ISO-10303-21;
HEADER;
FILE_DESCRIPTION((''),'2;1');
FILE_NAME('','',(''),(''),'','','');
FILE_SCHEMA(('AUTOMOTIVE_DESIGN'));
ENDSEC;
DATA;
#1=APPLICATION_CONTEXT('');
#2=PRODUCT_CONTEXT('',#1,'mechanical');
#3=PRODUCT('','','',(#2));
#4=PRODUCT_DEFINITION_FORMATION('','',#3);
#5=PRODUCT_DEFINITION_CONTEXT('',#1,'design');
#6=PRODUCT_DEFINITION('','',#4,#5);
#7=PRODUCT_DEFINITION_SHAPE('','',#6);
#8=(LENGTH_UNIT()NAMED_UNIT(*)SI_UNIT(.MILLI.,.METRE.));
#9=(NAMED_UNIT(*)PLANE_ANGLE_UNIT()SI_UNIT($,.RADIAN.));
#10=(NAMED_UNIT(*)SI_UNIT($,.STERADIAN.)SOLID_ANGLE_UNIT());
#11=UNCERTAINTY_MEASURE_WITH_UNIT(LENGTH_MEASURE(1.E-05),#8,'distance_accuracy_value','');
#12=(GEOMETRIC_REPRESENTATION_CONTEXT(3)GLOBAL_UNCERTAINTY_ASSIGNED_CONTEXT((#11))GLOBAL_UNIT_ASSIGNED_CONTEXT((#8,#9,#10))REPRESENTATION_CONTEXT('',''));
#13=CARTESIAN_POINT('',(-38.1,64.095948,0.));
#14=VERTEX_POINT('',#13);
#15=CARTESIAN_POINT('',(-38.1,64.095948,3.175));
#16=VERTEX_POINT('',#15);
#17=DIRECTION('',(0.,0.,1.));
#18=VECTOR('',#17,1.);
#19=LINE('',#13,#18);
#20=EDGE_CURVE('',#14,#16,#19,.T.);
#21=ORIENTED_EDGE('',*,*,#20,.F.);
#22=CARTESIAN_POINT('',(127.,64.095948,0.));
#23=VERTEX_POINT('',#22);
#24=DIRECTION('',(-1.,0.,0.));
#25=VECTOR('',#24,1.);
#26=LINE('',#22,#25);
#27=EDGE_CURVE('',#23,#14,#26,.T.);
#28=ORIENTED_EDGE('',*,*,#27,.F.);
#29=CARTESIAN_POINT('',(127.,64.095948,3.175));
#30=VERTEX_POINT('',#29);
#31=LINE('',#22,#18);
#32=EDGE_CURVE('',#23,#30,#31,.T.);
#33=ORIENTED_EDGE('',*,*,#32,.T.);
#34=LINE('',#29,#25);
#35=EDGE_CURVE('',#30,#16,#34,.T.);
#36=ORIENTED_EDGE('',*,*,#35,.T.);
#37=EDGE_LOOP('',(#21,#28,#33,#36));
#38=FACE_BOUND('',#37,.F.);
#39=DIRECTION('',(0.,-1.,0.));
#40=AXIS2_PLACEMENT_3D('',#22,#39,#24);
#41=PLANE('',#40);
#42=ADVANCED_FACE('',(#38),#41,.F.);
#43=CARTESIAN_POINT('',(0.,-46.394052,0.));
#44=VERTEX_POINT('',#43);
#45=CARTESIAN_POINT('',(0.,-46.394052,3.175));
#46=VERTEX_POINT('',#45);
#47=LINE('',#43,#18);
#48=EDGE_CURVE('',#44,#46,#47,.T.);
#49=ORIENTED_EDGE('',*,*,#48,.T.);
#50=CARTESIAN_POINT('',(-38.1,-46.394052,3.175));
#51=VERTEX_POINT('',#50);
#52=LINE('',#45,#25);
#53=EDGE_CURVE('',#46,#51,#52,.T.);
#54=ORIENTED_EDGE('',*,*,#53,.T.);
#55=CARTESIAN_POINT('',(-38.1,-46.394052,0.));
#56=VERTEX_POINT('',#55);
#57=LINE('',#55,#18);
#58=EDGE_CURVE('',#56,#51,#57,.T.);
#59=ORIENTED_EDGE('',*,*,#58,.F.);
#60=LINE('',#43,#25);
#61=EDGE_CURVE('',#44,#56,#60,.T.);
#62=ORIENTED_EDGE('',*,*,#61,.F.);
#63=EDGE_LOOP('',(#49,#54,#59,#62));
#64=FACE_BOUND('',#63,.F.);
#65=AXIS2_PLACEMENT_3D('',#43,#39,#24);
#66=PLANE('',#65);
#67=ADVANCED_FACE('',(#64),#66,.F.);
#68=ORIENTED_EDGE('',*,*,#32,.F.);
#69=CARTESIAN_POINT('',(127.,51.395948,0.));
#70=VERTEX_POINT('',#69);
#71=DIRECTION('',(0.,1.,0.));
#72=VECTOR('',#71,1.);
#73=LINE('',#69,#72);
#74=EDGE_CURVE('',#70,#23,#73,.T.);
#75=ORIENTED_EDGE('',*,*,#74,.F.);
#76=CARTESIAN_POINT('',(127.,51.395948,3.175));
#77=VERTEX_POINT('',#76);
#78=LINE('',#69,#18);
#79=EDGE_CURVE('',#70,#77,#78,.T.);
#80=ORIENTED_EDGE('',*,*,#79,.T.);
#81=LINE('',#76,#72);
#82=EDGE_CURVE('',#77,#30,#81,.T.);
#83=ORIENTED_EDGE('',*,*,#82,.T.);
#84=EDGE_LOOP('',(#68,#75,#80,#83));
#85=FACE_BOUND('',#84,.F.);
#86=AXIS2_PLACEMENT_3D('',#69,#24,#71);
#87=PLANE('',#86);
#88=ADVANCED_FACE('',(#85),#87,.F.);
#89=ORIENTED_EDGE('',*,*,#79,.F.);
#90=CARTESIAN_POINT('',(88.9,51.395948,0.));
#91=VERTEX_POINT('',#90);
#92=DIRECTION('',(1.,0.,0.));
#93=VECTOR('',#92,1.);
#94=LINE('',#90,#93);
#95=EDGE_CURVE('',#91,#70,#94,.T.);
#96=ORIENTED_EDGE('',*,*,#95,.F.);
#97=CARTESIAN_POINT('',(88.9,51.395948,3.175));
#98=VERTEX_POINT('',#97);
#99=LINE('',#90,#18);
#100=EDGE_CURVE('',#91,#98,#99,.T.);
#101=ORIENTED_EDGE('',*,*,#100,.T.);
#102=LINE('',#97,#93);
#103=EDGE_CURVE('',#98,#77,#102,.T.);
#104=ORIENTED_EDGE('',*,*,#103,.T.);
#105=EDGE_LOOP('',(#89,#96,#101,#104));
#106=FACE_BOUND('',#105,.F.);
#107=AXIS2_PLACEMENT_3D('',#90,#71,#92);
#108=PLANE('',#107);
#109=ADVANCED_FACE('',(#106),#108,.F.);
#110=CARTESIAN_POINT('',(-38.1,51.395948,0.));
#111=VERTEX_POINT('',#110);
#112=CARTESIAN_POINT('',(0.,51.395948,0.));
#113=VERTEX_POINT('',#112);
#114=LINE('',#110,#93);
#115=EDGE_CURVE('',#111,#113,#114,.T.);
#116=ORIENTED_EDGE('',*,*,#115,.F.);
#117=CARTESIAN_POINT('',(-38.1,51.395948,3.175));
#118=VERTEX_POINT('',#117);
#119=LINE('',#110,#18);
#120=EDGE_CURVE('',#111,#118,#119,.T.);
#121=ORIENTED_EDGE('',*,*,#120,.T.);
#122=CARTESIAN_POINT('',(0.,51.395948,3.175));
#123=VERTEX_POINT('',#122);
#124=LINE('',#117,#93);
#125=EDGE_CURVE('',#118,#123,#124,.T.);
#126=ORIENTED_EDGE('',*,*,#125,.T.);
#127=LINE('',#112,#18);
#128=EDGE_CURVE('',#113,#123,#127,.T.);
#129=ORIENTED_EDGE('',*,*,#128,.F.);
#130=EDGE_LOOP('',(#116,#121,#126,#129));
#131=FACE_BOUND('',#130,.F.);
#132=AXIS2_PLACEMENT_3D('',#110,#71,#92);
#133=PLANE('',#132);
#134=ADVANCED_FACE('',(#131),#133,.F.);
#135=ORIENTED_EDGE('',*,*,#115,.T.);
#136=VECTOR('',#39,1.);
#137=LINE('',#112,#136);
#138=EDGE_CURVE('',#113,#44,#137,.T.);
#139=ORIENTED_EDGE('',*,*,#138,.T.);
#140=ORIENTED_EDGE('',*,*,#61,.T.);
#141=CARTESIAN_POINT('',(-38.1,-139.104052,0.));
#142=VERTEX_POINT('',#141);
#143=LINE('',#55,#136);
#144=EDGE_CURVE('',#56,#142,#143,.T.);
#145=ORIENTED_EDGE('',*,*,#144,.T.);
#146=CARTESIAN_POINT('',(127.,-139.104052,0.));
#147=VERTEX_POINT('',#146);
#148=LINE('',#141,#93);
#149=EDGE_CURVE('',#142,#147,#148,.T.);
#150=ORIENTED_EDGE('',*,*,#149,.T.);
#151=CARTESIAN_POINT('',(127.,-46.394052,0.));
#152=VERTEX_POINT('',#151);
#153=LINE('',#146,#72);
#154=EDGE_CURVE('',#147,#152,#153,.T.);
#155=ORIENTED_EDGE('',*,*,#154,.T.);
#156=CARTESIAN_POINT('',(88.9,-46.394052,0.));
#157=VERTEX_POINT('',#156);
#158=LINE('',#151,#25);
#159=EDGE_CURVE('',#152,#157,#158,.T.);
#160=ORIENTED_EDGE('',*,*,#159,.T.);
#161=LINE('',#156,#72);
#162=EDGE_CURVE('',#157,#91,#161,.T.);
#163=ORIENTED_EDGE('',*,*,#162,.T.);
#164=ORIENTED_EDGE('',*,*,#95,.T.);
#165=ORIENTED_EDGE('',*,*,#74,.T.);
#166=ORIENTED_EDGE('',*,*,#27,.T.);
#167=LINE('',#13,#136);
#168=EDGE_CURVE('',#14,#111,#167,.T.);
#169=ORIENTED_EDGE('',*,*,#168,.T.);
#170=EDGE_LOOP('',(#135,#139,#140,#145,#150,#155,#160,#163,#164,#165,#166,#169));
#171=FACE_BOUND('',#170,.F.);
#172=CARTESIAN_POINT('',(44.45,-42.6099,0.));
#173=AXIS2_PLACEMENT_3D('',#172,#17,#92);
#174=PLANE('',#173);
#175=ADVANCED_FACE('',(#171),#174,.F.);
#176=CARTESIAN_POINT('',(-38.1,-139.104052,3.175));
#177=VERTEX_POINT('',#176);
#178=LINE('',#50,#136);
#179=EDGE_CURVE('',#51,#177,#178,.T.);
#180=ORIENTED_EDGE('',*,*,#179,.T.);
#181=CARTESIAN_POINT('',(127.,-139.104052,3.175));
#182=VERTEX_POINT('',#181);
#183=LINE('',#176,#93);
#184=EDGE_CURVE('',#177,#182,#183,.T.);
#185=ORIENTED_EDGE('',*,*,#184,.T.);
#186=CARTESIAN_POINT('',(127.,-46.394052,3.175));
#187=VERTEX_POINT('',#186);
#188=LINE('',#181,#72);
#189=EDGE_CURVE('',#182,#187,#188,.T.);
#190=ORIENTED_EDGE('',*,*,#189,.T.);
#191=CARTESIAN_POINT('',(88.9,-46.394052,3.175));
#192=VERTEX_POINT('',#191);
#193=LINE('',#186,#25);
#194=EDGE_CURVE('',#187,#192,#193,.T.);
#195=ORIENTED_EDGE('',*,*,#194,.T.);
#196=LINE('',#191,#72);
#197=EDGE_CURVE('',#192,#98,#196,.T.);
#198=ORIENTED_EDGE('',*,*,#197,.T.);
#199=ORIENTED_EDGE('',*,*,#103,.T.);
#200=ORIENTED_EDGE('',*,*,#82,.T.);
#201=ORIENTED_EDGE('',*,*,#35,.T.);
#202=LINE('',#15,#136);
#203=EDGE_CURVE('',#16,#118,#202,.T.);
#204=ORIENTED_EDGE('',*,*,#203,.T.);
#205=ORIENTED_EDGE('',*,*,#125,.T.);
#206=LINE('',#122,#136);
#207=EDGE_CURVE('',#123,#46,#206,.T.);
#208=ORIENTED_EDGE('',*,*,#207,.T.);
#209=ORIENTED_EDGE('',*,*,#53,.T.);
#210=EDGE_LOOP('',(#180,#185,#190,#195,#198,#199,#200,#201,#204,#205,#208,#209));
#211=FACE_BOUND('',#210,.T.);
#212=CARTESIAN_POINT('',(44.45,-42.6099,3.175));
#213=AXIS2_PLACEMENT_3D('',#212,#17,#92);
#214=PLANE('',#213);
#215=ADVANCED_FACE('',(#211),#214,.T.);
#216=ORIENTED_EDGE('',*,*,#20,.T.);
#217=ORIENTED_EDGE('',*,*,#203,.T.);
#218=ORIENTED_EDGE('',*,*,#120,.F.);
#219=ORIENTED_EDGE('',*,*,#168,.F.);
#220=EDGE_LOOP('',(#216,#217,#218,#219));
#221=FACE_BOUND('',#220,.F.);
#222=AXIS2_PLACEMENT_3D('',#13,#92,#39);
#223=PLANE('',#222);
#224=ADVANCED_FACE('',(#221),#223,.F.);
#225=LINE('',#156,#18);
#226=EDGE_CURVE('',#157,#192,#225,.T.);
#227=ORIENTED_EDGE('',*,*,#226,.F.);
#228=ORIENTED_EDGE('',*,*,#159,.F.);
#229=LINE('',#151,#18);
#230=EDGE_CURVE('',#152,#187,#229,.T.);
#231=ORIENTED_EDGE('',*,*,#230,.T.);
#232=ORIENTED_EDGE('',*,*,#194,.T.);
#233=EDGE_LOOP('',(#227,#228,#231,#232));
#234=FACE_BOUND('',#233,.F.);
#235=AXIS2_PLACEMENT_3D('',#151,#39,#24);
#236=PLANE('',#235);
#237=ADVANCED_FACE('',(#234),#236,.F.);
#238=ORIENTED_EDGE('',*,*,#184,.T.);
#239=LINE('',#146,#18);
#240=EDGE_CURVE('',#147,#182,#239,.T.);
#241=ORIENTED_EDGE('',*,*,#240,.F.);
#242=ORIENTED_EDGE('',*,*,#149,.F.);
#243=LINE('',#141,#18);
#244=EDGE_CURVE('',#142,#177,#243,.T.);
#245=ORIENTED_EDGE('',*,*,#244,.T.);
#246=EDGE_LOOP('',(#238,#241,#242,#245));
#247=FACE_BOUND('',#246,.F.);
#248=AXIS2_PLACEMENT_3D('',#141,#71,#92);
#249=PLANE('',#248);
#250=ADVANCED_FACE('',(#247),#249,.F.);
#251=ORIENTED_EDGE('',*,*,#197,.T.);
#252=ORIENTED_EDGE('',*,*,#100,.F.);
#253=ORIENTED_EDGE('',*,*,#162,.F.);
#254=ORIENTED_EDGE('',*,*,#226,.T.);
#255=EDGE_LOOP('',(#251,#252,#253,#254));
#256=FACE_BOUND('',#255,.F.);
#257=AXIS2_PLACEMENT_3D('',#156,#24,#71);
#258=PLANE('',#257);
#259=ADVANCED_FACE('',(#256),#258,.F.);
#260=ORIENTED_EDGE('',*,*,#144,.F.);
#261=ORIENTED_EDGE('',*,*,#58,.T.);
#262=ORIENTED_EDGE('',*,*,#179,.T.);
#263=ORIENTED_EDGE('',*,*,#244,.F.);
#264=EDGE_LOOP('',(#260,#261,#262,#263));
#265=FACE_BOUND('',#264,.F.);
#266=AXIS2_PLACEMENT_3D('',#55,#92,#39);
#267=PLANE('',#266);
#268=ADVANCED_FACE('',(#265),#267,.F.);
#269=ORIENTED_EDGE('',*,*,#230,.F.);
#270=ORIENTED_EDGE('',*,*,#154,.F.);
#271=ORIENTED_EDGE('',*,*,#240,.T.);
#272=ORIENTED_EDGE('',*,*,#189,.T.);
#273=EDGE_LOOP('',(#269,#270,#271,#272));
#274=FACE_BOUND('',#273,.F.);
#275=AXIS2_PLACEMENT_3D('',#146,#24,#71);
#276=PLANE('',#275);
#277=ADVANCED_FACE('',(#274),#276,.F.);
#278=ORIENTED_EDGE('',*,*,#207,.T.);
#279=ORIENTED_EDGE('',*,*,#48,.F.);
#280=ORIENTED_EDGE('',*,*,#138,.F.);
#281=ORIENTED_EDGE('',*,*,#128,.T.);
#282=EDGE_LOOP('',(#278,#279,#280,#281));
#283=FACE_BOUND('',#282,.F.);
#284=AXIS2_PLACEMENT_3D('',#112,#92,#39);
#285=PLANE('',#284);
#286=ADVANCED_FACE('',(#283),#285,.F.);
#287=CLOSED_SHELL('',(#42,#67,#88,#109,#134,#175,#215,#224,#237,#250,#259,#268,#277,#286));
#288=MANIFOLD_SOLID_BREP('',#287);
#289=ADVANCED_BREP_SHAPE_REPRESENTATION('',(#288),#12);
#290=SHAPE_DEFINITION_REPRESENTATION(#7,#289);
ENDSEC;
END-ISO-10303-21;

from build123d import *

# Parameters (mm, degrees)
F0_W     = 16.9926
F0_H     = 23.0124
F1_DEPTH = 3.175


with BuildPart() as f1:
    # F0 (on Top) → F1 (new body)
    with BuildSketch(Plane.XY):
        Polygon((-38.1, 64.095948), (-38.1, 58.695937), (-38.1, 51.395948), (0, 51.395948), (0, 24.957037), (16.9926, 24.957037), (16.9926, 1.944637), (0, 1.944637), (0, -46.394052), (-38.1, -46.394052), (-38.1, -73.704052), (-38.1, -101.004052), (12.7, -101.004052), (12.7, -126.404052), (-38.1, -126.404052), (-38.1, -139.104052), (127, -139.104052), (127, -126.404052), (76.2, -126.404052), (76.2, -101.004052), (127, -101.004052), (127, -73.704052), (127, -46.394052), (88.9, -46.394052), (88.9, 1.944637), (71.9074, 1.944637), (71.9074, 24.957037), (88.9, 24.957037), (88.9, 51.395948), (127, 51.395948), (127, 58.695937), (127, 64.095948), align=None)
        with Locations((80.4037, 13.450837)):
            Rectangle(F0_W, F0_H)
        with Locations((8.4963, 13.450837)):
            Rectangle(F0_W, F0_H)
        Polygon((12.7, -101.004052), (-38.1, -101.004052), (-38.1, -113.704052), (-38.1, -126.404052), (12.7, -126.404052), align=None)
        Polygon((127, -113.704052), (127, -101.004052), (76.2, -101.004052), (76.2, -126.404052), (127, -126.404052), align=None)
    extrude(amount=F1_DEPTH)


solid = f1.part
